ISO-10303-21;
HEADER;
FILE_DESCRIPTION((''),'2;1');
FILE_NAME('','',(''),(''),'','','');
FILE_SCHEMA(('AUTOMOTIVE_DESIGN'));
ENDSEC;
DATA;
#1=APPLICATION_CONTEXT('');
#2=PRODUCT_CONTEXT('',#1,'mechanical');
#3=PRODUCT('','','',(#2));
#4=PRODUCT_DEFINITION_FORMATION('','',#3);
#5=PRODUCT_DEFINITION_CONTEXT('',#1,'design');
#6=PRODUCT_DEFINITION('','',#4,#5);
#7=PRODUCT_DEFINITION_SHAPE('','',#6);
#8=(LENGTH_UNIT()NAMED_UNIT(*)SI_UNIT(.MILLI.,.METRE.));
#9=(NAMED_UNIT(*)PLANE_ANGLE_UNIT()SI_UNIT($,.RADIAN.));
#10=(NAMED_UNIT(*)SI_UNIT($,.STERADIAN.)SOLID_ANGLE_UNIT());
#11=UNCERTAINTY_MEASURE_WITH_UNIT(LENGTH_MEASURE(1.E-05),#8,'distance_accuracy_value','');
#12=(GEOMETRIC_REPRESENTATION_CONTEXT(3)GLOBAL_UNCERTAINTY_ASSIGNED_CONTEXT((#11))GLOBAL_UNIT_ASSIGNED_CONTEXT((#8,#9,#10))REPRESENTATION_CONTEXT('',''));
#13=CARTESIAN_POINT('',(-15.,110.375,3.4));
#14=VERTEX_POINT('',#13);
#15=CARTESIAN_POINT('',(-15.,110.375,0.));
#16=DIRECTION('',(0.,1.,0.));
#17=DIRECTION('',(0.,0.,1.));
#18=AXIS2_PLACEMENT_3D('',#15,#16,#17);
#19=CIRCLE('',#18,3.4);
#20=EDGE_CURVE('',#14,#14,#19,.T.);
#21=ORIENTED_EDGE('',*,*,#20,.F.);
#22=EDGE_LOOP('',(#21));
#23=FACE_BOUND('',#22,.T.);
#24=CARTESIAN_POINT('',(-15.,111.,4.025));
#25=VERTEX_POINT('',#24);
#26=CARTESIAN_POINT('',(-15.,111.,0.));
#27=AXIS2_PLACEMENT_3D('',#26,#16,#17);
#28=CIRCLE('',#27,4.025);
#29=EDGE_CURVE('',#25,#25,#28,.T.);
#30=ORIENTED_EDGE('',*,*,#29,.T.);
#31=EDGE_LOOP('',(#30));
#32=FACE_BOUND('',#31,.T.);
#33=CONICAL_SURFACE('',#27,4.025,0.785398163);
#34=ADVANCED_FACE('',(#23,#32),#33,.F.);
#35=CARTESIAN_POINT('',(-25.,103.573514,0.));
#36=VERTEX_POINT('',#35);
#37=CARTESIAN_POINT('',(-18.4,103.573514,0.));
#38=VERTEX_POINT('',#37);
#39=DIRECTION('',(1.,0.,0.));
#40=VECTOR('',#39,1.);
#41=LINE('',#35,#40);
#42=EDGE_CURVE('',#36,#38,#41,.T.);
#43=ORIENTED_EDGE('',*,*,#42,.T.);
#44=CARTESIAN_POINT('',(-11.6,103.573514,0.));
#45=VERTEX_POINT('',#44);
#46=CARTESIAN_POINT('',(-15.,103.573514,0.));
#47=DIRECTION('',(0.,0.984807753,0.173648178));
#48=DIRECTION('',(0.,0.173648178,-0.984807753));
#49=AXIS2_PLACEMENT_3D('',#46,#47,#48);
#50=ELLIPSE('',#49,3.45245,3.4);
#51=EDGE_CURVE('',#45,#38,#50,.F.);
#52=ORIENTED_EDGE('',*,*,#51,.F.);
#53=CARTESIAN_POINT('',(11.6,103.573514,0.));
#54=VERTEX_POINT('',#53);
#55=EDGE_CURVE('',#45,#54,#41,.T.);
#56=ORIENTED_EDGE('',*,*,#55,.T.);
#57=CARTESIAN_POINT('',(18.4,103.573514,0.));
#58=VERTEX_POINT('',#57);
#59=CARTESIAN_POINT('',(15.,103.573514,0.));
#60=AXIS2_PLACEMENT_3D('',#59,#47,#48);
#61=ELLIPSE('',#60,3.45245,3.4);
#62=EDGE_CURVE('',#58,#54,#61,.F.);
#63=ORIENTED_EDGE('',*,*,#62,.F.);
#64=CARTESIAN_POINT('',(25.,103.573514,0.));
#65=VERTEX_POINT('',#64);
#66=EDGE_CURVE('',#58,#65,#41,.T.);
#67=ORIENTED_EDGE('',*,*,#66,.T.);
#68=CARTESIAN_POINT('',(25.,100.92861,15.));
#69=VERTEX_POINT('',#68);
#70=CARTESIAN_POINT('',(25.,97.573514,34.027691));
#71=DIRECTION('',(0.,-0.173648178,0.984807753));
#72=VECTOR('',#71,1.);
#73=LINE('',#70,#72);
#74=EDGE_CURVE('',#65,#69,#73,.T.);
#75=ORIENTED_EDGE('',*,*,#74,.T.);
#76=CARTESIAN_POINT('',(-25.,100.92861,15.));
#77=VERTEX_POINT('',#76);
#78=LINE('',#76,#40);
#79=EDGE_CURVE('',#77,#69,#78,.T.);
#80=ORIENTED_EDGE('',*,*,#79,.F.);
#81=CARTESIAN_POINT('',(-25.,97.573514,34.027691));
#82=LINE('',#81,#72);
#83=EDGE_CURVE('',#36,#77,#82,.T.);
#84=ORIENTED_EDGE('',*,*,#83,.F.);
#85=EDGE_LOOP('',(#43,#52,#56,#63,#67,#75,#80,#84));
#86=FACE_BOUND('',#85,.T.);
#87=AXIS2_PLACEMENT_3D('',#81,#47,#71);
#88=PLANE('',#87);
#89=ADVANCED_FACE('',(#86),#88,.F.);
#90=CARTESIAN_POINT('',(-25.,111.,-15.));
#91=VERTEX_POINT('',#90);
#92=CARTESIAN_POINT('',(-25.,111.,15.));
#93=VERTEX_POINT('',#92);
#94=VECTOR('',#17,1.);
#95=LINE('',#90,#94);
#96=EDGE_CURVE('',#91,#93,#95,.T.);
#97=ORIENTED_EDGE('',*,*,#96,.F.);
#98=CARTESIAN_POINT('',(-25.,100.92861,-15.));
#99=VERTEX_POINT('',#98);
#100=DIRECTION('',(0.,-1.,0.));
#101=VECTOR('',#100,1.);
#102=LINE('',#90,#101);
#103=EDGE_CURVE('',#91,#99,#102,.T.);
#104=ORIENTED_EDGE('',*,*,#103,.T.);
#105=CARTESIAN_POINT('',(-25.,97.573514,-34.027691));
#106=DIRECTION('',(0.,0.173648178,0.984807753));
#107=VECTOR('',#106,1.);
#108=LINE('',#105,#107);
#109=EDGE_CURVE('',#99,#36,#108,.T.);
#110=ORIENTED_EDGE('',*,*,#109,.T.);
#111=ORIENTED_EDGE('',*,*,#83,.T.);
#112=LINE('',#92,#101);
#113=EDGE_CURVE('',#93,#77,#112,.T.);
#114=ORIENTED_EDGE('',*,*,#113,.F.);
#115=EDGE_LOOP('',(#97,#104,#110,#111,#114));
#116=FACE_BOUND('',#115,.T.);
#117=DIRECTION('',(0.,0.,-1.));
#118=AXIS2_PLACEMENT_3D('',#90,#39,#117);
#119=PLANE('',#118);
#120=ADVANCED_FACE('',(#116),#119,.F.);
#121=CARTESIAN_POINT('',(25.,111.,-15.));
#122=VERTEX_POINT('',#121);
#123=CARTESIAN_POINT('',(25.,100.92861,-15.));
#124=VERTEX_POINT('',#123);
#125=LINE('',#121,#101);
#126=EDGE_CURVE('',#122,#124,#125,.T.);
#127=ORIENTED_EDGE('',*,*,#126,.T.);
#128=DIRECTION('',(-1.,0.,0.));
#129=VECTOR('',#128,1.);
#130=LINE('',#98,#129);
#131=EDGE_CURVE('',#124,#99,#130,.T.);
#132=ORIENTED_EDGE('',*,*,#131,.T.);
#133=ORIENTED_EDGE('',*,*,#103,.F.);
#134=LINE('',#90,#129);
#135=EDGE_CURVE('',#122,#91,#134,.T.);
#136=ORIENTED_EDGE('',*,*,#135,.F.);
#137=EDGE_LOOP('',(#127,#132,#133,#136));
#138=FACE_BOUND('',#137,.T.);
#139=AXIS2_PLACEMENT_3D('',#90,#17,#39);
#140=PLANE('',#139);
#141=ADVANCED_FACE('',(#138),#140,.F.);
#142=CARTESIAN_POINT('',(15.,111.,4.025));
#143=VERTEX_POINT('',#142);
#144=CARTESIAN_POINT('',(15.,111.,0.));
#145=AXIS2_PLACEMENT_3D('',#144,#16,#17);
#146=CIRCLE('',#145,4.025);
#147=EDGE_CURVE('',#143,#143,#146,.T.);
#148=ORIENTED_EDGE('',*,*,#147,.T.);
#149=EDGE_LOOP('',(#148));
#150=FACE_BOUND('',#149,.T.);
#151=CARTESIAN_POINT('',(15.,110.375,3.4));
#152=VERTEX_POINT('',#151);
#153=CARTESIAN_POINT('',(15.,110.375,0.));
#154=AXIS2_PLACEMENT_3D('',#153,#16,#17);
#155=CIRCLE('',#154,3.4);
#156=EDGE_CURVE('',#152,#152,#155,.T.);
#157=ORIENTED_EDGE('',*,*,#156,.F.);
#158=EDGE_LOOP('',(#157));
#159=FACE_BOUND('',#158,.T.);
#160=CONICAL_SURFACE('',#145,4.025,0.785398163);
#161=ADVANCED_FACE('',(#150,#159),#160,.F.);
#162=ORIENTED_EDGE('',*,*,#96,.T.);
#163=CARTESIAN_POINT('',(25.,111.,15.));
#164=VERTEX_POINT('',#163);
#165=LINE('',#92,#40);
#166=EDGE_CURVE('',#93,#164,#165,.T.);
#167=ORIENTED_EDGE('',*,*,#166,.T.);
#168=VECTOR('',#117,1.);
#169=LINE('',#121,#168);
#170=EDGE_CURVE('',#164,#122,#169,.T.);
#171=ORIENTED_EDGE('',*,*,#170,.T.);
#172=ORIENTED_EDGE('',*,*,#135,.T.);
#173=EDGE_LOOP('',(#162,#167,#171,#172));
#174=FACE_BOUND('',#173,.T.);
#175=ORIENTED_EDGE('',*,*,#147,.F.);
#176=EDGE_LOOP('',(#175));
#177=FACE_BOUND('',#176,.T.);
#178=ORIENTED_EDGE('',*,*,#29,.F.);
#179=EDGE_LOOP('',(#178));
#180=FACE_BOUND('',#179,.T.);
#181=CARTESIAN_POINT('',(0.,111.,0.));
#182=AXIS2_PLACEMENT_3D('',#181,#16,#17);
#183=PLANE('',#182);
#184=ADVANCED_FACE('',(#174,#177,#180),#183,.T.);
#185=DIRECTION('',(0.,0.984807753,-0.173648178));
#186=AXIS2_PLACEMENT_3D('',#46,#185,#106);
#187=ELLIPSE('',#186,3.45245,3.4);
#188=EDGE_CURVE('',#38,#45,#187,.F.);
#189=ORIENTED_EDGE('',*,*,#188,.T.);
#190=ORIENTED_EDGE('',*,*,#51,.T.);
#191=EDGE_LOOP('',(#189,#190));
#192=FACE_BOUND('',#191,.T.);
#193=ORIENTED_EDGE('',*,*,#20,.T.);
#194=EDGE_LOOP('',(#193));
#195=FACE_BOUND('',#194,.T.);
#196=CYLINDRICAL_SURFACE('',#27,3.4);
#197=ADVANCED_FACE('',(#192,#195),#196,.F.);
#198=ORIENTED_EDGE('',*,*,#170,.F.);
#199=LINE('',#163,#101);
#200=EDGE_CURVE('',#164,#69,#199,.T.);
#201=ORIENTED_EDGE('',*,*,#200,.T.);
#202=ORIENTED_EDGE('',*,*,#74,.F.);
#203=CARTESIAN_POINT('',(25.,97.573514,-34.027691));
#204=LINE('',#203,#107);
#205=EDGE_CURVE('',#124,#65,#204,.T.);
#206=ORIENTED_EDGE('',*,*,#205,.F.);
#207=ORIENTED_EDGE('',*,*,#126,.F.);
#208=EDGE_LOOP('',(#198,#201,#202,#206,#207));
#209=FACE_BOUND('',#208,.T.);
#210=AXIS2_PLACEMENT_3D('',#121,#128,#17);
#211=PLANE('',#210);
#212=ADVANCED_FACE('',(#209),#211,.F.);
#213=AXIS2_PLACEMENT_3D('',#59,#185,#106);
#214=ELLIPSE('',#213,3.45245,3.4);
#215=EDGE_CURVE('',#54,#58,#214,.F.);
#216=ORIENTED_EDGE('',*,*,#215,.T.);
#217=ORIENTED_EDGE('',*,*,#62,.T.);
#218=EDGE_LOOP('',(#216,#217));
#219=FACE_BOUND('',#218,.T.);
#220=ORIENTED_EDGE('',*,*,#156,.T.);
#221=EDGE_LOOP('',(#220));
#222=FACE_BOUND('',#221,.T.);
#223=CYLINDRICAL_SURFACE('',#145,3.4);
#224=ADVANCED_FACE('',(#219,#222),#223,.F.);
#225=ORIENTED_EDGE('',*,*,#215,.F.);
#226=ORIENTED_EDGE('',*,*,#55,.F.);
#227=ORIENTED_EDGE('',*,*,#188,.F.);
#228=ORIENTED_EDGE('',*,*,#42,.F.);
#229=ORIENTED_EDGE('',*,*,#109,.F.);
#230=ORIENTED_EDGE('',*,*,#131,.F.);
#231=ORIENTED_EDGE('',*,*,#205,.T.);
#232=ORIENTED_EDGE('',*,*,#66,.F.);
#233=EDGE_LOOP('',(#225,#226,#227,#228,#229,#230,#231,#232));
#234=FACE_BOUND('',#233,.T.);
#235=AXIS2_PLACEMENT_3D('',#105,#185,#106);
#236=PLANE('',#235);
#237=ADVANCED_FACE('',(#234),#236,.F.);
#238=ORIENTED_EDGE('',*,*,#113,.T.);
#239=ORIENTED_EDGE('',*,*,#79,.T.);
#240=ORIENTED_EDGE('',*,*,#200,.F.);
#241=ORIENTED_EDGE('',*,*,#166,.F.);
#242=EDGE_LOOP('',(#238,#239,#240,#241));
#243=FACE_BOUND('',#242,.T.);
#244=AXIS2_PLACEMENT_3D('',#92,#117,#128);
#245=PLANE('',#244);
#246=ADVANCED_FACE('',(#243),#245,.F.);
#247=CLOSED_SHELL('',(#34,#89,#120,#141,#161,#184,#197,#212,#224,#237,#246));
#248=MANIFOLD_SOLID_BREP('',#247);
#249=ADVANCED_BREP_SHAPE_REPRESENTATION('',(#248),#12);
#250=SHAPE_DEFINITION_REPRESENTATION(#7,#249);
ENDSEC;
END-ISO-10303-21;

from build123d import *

# Parameters (mm, degrees)
SKETCH_2_W                  = 50
SKETCH_2_H                  = 30
EXTRUDE_1_DEPTH             = 6
HOLE_WIZARD_M81_D           = 6.8
HOLE_WIZARD_M81_CSINK_D     = 8.05
HOLE_WIZARD_M81_CSINK_ANGLE = 90
CUT_EXTRUDE_1_DEPTH         = 115.764977236
CUT_EXTRUDE_1_DEPTH_BACK    = 115.764977236


with BuildPart() as part:
    # Эскиз2 → Бобышка-Вытянуть1 (new, symmetric)
    with BuildSketch(Plane(origin=(0, 105, 0), x_dir=(1, 0, 0), z_dir=(0, 1, 0))):
        Rectangle(SKETCH_2_W, SKETCH_2_H)
    extrude(amount=EXTRUDE_1_DEPTH, both=True)

    # Отверстие обработанное метчиком M81 (through all)
    with Locations(Plane(origin=(0, 111, 0), x_dir=(1, 0, 0), z_dir=(0, 1, 0))):
        with Locations((15, 0), (-15, 0)):
            CounterSinkHole(HOLE_WIZARD_M81_D / 2, HOLE_WIZARD_M81_CSINK_D / 2, counter_sink_angle=HOLE_WIZARD_M81_CSINK_ANGLE)

    # Эскиз5 → Вырез-Вытянуть1 (cut, two sides: drawn at the far end of the back side and taken through both)
    with BuildSketch(Plane(origin=(0, 0, 0), x_dir=(0, 0, -1), z_dir=(1, 0, 0)).offset(-CUT_EXTRUDE_1_DEPTH_BACK)):
        Polygon((-34.027690918, 97.573514412), (0, 103.573514412), (34.027690918, 97.573514412), align=None)
    extrude(amount=CUT_EXTRUDE_1_DEPTH + CUT_EXTRUDE_1_DEPTH_BACK, mode=Mode.SUBTRACT)


solid = part.part
